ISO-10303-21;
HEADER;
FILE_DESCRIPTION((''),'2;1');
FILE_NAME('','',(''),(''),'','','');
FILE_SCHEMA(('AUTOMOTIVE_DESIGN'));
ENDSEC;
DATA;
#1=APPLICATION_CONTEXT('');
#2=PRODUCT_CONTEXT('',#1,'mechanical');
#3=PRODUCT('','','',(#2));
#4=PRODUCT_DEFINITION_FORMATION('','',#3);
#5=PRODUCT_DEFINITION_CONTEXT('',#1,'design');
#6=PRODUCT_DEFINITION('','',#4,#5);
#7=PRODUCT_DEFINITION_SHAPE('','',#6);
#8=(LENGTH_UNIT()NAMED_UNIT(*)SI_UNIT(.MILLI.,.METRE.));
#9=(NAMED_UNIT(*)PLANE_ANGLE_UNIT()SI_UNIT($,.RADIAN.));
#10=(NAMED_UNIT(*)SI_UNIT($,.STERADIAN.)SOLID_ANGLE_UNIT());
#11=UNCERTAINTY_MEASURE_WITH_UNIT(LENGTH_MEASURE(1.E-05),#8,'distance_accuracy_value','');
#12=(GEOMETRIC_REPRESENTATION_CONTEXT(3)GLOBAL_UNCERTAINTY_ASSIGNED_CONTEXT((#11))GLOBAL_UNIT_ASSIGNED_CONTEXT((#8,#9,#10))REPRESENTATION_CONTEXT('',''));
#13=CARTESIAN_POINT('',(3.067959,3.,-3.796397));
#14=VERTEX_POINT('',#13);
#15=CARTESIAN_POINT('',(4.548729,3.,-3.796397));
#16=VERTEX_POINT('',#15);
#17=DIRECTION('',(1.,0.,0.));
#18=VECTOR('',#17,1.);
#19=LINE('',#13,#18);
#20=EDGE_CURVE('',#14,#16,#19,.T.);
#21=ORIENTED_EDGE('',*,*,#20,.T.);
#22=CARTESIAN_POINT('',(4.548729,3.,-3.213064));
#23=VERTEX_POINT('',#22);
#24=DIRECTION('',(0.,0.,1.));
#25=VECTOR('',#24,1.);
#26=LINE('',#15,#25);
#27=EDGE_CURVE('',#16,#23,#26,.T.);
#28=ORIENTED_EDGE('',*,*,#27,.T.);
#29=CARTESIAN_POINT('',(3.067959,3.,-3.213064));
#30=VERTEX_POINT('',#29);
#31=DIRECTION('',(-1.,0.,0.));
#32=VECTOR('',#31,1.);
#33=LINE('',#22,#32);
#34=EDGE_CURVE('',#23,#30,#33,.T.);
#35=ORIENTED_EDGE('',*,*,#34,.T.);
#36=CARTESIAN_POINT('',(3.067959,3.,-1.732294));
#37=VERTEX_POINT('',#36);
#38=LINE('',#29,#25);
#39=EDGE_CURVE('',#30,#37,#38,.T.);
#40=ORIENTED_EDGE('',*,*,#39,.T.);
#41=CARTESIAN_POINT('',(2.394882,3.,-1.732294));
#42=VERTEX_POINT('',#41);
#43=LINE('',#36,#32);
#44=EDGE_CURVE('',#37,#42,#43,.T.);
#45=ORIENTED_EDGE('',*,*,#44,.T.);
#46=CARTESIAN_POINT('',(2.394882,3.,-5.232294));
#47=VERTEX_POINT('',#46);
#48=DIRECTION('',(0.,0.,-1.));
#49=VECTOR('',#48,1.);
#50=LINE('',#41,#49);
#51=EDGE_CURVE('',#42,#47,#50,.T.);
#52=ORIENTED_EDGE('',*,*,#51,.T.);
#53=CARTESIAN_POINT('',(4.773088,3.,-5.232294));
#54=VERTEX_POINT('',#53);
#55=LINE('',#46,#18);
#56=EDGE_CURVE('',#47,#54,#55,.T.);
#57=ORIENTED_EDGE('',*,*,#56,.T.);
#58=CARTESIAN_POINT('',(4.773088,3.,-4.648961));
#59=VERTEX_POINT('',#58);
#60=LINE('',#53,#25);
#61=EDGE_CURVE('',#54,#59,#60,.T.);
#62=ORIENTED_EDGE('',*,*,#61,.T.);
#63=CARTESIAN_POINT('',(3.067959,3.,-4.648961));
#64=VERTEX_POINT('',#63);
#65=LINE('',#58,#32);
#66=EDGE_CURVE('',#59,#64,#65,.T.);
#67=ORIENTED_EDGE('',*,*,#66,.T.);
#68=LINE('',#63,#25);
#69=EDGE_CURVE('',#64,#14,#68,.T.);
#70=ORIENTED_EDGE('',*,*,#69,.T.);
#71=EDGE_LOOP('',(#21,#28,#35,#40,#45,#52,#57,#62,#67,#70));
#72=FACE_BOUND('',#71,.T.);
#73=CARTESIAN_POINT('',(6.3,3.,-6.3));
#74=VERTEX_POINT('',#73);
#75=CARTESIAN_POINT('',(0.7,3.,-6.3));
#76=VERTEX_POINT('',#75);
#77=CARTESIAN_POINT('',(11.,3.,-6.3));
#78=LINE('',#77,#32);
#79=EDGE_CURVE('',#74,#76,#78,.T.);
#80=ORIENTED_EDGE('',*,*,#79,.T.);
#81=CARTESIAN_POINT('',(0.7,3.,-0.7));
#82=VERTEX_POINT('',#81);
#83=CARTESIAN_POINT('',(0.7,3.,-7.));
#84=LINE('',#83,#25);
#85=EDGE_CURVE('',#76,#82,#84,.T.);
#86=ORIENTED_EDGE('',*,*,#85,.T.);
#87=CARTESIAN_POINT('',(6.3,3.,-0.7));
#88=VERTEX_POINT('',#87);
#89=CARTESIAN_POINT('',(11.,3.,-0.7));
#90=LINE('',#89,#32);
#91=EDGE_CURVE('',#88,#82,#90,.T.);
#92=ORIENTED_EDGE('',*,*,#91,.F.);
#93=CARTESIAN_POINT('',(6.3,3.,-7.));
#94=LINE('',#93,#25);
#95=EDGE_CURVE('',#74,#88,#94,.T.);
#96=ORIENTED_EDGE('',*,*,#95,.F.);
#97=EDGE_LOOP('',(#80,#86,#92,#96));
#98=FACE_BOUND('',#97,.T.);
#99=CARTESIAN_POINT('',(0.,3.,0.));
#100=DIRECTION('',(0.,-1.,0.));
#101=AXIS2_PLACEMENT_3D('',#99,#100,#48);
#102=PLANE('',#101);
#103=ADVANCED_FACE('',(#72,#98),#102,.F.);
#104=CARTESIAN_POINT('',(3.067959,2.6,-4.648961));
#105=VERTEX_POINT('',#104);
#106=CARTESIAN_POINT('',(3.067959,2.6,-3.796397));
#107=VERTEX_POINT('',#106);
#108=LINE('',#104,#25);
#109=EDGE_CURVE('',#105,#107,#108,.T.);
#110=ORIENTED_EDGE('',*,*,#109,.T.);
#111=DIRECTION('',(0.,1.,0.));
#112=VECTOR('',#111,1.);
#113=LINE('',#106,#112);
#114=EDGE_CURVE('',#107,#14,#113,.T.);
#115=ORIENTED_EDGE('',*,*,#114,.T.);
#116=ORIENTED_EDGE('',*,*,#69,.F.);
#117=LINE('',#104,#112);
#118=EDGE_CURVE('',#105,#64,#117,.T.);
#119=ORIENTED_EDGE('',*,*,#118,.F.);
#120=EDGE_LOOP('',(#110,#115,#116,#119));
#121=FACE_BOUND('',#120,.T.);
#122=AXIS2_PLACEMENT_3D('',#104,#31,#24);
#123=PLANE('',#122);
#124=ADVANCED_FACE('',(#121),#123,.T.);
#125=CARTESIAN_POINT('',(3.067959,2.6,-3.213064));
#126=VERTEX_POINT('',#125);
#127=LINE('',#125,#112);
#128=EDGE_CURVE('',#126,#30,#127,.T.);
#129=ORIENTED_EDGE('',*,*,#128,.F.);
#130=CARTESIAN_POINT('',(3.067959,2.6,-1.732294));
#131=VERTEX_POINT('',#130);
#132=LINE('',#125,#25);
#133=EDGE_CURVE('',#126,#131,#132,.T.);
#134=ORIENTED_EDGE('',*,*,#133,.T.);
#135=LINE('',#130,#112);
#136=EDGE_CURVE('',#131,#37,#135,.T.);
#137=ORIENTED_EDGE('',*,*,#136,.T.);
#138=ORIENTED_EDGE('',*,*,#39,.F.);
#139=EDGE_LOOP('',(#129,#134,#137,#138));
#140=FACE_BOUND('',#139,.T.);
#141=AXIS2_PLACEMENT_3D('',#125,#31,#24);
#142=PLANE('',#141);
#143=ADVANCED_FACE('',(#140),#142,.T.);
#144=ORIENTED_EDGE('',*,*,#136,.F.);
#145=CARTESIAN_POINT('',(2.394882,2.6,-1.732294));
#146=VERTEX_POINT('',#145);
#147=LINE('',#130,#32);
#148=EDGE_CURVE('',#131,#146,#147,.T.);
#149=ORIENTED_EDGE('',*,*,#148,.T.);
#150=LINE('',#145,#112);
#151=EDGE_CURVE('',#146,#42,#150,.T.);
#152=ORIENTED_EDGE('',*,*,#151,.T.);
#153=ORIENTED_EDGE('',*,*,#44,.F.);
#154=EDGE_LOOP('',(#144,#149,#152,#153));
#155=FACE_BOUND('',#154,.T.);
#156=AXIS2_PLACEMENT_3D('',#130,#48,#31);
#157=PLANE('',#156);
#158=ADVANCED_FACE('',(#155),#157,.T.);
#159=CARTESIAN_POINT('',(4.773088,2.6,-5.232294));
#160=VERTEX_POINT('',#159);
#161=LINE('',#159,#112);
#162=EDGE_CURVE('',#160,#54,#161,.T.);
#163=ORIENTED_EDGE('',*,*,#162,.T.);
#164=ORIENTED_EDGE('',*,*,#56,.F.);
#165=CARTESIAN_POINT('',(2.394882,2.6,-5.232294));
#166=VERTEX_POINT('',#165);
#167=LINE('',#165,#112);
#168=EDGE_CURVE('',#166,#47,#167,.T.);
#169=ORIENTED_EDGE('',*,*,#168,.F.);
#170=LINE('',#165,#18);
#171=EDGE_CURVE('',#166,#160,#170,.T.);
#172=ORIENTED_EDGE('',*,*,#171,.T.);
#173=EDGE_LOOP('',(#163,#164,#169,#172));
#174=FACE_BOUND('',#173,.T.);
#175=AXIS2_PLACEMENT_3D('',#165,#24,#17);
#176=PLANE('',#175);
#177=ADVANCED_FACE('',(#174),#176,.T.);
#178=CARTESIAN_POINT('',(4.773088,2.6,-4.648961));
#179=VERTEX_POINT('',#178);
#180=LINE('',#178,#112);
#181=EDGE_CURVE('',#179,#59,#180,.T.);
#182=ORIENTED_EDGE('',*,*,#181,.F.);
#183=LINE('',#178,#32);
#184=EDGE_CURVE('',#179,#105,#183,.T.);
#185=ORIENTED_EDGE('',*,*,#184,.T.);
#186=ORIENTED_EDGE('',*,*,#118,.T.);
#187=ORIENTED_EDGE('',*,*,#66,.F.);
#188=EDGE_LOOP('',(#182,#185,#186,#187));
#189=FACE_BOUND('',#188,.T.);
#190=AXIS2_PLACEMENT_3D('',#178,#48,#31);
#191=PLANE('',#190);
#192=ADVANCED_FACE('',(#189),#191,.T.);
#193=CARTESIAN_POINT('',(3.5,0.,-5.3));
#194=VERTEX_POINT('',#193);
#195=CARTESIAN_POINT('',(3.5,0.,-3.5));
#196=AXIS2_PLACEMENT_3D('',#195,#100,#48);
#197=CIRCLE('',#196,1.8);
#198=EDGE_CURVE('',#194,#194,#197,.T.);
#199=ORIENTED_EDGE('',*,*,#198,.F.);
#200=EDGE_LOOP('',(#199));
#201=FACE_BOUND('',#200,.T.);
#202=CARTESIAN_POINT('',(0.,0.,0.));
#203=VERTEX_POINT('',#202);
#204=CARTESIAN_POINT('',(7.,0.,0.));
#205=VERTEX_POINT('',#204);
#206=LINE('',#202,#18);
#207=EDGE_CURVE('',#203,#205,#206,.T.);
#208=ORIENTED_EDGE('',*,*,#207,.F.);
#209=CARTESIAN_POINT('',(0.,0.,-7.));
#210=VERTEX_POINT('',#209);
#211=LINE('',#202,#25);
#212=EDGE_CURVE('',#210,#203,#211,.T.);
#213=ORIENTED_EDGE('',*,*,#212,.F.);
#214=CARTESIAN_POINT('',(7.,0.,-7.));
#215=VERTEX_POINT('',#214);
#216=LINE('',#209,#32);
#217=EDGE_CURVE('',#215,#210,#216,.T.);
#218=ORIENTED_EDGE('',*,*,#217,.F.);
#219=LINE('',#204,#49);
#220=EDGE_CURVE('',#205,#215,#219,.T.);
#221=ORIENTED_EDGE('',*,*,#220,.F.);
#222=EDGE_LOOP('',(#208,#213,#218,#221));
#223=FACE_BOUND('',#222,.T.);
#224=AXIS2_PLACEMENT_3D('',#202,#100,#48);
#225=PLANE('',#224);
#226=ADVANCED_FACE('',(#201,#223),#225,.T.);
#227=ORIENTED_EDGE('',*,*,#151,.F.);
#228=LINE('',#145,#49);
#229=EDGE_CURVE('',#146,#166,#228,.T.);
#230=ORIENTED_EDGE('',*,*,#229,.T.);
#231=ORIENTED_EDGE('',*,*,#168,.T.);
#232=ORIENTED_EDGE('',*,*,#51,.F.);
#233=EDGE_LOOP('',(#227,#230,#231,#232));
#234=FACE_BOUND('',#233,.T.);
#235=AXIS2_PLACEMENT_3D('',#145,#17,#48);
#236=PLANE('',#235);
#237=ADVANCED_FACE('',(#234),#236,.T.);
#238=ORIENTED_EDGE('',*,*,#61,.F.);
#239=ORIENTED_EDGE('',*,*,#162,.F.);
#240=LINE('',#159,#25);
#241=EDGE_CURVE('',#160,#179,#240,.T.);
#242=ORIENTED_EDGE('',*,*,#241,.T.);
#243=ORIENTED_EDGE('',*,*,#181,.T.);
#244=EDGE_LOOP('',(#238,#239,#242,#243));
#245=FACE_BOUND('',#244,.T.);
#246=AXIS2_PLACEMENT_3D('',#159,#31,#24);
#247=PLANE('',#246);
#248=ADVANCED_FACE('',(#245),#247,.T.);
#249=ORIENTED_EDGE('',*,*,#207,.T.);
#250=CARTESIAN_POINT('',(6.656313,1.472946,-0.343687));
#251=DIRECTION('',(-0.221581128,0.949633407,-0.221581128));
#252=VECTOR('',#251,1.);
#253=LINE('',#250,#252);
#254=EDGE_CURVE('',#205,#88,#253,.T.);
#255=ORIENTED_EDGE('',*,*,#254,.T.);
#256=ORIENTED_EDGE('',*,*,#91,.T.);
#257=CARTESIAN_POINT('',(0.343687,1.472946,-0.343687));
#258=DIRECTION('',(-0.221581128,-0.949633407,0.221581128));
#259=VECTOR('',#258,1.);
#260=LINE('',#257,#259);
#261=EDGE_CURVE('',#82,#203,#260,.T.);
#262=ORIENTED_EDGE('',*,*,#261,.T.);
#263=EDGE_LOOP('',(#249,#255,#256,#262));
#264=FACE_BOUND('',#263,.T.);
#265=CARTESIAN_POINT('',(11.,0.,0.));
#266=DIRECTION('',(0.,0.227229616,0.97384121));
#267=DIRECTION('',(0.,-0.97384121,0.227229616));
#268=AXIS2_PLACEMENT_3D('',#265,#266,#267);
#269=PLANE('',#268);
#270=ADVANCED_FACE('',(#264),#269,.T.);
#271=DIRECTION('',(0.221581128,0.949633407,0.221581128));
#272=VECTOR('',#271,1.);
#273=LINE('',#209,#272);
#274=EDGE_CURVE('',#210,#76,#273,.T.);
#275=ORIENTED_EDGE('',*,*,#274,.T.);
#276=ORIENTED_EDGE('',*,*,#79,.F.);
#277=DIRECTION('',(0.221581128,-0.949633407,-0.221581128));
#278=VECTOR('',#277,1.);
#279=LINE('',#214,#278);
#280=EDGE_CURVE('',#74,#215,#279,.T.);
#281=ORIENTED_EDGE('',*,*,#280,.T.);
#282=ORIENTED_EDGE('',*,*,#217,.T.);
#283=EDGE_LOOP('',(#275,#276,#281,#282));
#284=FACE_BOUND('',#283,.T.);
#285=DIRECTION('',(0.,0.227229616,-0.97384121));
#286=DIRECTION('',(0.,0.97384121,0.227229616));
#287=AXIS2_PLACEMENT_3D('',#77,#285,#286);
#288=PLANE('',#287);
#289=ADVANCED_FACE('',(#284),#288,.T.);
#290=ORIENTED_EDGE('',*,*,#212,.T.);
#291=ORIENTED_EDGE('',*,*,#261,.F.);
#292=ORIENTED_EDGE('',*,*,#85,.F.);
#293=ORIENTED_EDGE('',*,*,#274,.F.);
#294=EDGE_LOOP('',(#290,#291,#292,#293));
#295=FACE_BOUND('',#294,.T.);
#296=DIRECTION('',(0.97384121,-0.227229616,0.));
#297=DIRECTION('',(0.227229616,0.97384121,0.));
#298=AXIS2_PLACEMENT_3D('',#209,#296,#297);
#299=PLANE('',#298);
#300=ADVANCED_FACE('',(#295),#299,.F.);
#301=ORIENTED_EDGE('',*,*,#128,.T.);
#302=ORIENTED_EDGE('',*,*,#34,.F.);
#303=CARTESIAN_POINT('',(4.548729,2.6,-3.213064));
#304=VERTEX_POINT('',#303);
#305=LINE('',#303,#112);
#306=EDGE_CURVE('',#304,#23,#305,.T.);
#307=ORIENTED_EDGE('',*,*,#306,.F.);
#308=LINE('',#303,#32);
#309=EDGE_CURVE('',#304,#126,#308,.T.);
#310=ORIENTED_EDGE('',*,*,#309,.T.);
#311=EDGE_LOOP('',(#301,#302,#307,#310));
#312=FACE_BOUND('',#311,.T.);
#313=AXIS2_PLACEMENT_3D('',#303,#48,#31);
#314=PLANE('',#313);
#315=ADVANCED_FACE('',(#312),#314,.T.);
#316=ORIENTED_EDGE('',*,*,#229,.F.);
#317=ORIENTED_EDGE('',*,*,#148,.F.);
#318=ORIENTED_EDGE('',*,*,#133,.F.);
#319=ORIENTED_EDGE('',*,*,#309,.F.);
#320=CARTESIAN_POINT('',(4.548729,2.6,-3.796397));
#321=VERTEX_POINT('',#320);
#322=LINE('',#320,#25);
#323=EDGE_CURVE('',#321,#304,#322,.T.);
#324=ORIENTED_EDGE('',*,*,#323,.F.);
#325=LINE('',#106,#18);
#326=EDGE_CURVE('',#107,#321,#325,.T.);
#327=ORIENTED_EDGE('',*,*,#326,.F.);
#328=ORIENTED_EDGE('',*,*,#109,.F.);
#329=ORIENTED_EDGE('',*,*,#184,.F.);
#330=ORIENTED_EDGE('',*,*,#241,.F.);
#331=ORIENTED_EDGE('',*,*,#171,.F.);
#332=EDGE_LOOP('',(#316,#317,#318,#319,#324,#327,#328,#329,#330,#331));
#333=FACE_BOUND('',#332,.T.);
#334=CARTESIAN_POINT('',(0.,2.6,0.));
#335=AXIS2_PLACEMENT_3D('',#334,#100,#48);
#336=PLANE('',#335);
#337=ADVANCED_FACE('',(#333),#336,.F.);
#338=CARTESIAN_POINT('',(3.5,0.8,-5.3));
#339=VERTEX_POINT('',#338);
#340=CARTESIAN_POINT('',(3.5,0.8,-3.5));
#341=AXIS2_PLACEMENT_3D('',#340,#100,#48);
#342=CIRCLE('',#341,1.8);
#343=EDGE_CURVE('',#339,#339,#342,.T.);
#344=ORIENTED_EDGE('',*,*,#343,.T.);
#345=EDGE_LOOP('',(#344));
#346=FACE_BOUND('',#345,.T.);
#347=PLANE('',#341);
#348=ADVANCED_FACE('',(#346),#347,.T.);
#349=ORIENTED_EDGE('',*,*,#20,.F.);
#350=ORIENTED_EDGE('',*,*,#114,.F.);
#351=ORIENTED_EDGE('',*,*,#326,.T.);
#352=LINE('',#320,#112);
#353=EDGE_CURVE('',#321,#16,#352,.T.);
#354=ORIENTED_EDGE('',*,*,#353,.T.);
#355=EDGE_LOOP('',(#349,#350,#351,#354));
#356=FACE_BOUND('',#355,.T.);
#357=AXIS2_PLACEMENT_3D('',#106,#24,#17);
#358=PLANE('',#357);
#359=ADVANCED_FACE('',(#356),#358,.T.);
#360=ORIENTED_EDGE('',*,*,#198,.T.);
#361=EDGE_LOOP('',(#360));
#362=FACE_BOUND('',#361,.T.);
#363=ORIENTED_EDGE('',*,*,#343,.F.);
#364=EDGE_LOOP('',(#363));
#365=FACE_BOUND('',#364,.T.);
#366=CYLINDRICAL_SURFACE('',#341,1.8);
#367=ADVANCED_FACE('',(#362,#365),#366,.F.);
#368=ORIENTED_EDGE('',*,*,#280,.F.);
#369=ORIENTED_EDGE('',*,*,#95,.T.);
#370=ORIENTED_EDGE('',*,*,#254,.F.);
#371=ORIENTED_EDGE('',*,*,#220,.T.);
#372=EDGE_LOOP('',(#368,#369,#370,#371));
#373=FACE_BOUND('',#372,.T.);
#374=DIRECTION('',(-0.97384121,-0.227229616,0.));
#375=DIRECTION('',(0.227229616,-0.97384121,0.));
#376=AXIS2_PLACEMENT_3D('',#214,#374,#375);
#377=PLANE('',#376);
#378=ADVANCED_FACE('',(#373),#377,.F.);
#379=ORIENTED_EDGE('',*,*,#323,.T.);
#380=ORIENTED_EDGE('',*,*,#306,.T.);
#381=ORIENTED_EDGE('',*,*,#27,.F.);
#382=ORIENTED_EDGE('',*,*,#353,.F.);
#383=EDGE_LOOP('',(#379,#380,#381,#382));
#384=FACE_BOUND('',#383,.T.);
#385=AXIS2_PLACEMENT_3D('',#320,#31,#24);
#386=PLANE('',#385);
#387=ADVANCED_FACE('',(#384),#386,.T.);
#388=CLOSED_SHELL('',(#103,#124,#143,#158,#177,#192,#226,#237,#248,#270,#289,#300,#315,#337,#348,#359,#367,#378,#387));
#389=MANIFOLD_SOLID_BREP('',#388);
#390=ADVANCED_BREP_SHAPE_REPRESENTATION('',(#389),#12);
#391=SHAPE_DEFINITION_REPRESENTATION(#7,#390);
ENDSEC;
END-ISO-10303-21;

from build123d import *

# Parameters (mm, degrees)
SKETCH1_W           = 7
SKETCH1_H           = 7
BOSS_EXTRUDE1_DEPTH = 3
CUT_EXTRUDE1_DEPTH  = 7
CUT_EXTRUDE2_DEPTH  = 11
SKETCH4_R           = 1.8
CUT_EXTRUDE3_DEPTH  = 0.8
CUT_EXTRUDE4_DEPTH  = 0.4


with BuildPart() as part:
    # Sketch1 → Boss-Extrude1 (new body)
    with BuildSketch(Plane(origin=(0, 0, 0), x_dir=(1, 0, 0), z_dir=(0, 1, 0))):
        with Locations((3.5, 3.5)):
            Rectangle(SKETCH1_W, SKETCH1_H)
    extrude(amount=BOSS_EXTRUDE1_DEPTH)

    # Sketch2 → Cut-Extrude1 (cut)
    with BuildSketch(Plane.XY):
        Polygon((0, 0), (0.7, 3), (0, 3), align=None)
        Polygon((7, 0), (6.3, 3), (7, 3), align=None)
    extrude(amount=-CUT_EXTRUDE1_DEPTH, mode=Mode.SUBTRACT)

    # Sketch3 → Cut-Extrude2 (cut)
    with BuildSketch(Plane(origin=(0, 0, 0), x_dir=(0, 0, -1), z_dir=(1, 0, 0))):
        Polygon((0, 0), (0.7, 3), (0, 3), align=None)
        Polygon((7, 3), (6.3, 3), (7, 0), align=None)
    extrude(amount=CUT_EXTRUDE2_DEPTH, mode=Mode.SUBTRACT)

    # Sketch4 → Cut-Extrude3 (cut)
    with BuildSketch(Plane.XZ):
        with Locations(Location((3.5, -3.5, 0), (0, 0, 270))):
            Circle(SKETCH4_R)
    extrude(amount=-CUT_EXTRUDE3_DEPTH, mode=Mode.SUBTRACT)

    # Sketch5 → Cut-Extrude4 (cut)
    with BuildSketch(Plane(origin=(0, 3, 0), x_dir=(1, 0, 0), z_dir=(0, 1, 0))):
        Polygon((2.394882383, 1.732294481), (2.394882383, 5.232294481), (4.773087512, 5.232294481), (4.773087512, 4.648961148), (3.067959306, 4.648961148), (3.067959306, 3.796397045), (4.548728537, 3.796397045), (4.548728537, 3.213063712), (3.067959306, 3.213063712), (3.067959306, 1.732294481), align=None)
    extrude(amount=-CUT_EXTRUDE4_DEPTH, mode=Mode.SUBTRACT)


solid = part.part
